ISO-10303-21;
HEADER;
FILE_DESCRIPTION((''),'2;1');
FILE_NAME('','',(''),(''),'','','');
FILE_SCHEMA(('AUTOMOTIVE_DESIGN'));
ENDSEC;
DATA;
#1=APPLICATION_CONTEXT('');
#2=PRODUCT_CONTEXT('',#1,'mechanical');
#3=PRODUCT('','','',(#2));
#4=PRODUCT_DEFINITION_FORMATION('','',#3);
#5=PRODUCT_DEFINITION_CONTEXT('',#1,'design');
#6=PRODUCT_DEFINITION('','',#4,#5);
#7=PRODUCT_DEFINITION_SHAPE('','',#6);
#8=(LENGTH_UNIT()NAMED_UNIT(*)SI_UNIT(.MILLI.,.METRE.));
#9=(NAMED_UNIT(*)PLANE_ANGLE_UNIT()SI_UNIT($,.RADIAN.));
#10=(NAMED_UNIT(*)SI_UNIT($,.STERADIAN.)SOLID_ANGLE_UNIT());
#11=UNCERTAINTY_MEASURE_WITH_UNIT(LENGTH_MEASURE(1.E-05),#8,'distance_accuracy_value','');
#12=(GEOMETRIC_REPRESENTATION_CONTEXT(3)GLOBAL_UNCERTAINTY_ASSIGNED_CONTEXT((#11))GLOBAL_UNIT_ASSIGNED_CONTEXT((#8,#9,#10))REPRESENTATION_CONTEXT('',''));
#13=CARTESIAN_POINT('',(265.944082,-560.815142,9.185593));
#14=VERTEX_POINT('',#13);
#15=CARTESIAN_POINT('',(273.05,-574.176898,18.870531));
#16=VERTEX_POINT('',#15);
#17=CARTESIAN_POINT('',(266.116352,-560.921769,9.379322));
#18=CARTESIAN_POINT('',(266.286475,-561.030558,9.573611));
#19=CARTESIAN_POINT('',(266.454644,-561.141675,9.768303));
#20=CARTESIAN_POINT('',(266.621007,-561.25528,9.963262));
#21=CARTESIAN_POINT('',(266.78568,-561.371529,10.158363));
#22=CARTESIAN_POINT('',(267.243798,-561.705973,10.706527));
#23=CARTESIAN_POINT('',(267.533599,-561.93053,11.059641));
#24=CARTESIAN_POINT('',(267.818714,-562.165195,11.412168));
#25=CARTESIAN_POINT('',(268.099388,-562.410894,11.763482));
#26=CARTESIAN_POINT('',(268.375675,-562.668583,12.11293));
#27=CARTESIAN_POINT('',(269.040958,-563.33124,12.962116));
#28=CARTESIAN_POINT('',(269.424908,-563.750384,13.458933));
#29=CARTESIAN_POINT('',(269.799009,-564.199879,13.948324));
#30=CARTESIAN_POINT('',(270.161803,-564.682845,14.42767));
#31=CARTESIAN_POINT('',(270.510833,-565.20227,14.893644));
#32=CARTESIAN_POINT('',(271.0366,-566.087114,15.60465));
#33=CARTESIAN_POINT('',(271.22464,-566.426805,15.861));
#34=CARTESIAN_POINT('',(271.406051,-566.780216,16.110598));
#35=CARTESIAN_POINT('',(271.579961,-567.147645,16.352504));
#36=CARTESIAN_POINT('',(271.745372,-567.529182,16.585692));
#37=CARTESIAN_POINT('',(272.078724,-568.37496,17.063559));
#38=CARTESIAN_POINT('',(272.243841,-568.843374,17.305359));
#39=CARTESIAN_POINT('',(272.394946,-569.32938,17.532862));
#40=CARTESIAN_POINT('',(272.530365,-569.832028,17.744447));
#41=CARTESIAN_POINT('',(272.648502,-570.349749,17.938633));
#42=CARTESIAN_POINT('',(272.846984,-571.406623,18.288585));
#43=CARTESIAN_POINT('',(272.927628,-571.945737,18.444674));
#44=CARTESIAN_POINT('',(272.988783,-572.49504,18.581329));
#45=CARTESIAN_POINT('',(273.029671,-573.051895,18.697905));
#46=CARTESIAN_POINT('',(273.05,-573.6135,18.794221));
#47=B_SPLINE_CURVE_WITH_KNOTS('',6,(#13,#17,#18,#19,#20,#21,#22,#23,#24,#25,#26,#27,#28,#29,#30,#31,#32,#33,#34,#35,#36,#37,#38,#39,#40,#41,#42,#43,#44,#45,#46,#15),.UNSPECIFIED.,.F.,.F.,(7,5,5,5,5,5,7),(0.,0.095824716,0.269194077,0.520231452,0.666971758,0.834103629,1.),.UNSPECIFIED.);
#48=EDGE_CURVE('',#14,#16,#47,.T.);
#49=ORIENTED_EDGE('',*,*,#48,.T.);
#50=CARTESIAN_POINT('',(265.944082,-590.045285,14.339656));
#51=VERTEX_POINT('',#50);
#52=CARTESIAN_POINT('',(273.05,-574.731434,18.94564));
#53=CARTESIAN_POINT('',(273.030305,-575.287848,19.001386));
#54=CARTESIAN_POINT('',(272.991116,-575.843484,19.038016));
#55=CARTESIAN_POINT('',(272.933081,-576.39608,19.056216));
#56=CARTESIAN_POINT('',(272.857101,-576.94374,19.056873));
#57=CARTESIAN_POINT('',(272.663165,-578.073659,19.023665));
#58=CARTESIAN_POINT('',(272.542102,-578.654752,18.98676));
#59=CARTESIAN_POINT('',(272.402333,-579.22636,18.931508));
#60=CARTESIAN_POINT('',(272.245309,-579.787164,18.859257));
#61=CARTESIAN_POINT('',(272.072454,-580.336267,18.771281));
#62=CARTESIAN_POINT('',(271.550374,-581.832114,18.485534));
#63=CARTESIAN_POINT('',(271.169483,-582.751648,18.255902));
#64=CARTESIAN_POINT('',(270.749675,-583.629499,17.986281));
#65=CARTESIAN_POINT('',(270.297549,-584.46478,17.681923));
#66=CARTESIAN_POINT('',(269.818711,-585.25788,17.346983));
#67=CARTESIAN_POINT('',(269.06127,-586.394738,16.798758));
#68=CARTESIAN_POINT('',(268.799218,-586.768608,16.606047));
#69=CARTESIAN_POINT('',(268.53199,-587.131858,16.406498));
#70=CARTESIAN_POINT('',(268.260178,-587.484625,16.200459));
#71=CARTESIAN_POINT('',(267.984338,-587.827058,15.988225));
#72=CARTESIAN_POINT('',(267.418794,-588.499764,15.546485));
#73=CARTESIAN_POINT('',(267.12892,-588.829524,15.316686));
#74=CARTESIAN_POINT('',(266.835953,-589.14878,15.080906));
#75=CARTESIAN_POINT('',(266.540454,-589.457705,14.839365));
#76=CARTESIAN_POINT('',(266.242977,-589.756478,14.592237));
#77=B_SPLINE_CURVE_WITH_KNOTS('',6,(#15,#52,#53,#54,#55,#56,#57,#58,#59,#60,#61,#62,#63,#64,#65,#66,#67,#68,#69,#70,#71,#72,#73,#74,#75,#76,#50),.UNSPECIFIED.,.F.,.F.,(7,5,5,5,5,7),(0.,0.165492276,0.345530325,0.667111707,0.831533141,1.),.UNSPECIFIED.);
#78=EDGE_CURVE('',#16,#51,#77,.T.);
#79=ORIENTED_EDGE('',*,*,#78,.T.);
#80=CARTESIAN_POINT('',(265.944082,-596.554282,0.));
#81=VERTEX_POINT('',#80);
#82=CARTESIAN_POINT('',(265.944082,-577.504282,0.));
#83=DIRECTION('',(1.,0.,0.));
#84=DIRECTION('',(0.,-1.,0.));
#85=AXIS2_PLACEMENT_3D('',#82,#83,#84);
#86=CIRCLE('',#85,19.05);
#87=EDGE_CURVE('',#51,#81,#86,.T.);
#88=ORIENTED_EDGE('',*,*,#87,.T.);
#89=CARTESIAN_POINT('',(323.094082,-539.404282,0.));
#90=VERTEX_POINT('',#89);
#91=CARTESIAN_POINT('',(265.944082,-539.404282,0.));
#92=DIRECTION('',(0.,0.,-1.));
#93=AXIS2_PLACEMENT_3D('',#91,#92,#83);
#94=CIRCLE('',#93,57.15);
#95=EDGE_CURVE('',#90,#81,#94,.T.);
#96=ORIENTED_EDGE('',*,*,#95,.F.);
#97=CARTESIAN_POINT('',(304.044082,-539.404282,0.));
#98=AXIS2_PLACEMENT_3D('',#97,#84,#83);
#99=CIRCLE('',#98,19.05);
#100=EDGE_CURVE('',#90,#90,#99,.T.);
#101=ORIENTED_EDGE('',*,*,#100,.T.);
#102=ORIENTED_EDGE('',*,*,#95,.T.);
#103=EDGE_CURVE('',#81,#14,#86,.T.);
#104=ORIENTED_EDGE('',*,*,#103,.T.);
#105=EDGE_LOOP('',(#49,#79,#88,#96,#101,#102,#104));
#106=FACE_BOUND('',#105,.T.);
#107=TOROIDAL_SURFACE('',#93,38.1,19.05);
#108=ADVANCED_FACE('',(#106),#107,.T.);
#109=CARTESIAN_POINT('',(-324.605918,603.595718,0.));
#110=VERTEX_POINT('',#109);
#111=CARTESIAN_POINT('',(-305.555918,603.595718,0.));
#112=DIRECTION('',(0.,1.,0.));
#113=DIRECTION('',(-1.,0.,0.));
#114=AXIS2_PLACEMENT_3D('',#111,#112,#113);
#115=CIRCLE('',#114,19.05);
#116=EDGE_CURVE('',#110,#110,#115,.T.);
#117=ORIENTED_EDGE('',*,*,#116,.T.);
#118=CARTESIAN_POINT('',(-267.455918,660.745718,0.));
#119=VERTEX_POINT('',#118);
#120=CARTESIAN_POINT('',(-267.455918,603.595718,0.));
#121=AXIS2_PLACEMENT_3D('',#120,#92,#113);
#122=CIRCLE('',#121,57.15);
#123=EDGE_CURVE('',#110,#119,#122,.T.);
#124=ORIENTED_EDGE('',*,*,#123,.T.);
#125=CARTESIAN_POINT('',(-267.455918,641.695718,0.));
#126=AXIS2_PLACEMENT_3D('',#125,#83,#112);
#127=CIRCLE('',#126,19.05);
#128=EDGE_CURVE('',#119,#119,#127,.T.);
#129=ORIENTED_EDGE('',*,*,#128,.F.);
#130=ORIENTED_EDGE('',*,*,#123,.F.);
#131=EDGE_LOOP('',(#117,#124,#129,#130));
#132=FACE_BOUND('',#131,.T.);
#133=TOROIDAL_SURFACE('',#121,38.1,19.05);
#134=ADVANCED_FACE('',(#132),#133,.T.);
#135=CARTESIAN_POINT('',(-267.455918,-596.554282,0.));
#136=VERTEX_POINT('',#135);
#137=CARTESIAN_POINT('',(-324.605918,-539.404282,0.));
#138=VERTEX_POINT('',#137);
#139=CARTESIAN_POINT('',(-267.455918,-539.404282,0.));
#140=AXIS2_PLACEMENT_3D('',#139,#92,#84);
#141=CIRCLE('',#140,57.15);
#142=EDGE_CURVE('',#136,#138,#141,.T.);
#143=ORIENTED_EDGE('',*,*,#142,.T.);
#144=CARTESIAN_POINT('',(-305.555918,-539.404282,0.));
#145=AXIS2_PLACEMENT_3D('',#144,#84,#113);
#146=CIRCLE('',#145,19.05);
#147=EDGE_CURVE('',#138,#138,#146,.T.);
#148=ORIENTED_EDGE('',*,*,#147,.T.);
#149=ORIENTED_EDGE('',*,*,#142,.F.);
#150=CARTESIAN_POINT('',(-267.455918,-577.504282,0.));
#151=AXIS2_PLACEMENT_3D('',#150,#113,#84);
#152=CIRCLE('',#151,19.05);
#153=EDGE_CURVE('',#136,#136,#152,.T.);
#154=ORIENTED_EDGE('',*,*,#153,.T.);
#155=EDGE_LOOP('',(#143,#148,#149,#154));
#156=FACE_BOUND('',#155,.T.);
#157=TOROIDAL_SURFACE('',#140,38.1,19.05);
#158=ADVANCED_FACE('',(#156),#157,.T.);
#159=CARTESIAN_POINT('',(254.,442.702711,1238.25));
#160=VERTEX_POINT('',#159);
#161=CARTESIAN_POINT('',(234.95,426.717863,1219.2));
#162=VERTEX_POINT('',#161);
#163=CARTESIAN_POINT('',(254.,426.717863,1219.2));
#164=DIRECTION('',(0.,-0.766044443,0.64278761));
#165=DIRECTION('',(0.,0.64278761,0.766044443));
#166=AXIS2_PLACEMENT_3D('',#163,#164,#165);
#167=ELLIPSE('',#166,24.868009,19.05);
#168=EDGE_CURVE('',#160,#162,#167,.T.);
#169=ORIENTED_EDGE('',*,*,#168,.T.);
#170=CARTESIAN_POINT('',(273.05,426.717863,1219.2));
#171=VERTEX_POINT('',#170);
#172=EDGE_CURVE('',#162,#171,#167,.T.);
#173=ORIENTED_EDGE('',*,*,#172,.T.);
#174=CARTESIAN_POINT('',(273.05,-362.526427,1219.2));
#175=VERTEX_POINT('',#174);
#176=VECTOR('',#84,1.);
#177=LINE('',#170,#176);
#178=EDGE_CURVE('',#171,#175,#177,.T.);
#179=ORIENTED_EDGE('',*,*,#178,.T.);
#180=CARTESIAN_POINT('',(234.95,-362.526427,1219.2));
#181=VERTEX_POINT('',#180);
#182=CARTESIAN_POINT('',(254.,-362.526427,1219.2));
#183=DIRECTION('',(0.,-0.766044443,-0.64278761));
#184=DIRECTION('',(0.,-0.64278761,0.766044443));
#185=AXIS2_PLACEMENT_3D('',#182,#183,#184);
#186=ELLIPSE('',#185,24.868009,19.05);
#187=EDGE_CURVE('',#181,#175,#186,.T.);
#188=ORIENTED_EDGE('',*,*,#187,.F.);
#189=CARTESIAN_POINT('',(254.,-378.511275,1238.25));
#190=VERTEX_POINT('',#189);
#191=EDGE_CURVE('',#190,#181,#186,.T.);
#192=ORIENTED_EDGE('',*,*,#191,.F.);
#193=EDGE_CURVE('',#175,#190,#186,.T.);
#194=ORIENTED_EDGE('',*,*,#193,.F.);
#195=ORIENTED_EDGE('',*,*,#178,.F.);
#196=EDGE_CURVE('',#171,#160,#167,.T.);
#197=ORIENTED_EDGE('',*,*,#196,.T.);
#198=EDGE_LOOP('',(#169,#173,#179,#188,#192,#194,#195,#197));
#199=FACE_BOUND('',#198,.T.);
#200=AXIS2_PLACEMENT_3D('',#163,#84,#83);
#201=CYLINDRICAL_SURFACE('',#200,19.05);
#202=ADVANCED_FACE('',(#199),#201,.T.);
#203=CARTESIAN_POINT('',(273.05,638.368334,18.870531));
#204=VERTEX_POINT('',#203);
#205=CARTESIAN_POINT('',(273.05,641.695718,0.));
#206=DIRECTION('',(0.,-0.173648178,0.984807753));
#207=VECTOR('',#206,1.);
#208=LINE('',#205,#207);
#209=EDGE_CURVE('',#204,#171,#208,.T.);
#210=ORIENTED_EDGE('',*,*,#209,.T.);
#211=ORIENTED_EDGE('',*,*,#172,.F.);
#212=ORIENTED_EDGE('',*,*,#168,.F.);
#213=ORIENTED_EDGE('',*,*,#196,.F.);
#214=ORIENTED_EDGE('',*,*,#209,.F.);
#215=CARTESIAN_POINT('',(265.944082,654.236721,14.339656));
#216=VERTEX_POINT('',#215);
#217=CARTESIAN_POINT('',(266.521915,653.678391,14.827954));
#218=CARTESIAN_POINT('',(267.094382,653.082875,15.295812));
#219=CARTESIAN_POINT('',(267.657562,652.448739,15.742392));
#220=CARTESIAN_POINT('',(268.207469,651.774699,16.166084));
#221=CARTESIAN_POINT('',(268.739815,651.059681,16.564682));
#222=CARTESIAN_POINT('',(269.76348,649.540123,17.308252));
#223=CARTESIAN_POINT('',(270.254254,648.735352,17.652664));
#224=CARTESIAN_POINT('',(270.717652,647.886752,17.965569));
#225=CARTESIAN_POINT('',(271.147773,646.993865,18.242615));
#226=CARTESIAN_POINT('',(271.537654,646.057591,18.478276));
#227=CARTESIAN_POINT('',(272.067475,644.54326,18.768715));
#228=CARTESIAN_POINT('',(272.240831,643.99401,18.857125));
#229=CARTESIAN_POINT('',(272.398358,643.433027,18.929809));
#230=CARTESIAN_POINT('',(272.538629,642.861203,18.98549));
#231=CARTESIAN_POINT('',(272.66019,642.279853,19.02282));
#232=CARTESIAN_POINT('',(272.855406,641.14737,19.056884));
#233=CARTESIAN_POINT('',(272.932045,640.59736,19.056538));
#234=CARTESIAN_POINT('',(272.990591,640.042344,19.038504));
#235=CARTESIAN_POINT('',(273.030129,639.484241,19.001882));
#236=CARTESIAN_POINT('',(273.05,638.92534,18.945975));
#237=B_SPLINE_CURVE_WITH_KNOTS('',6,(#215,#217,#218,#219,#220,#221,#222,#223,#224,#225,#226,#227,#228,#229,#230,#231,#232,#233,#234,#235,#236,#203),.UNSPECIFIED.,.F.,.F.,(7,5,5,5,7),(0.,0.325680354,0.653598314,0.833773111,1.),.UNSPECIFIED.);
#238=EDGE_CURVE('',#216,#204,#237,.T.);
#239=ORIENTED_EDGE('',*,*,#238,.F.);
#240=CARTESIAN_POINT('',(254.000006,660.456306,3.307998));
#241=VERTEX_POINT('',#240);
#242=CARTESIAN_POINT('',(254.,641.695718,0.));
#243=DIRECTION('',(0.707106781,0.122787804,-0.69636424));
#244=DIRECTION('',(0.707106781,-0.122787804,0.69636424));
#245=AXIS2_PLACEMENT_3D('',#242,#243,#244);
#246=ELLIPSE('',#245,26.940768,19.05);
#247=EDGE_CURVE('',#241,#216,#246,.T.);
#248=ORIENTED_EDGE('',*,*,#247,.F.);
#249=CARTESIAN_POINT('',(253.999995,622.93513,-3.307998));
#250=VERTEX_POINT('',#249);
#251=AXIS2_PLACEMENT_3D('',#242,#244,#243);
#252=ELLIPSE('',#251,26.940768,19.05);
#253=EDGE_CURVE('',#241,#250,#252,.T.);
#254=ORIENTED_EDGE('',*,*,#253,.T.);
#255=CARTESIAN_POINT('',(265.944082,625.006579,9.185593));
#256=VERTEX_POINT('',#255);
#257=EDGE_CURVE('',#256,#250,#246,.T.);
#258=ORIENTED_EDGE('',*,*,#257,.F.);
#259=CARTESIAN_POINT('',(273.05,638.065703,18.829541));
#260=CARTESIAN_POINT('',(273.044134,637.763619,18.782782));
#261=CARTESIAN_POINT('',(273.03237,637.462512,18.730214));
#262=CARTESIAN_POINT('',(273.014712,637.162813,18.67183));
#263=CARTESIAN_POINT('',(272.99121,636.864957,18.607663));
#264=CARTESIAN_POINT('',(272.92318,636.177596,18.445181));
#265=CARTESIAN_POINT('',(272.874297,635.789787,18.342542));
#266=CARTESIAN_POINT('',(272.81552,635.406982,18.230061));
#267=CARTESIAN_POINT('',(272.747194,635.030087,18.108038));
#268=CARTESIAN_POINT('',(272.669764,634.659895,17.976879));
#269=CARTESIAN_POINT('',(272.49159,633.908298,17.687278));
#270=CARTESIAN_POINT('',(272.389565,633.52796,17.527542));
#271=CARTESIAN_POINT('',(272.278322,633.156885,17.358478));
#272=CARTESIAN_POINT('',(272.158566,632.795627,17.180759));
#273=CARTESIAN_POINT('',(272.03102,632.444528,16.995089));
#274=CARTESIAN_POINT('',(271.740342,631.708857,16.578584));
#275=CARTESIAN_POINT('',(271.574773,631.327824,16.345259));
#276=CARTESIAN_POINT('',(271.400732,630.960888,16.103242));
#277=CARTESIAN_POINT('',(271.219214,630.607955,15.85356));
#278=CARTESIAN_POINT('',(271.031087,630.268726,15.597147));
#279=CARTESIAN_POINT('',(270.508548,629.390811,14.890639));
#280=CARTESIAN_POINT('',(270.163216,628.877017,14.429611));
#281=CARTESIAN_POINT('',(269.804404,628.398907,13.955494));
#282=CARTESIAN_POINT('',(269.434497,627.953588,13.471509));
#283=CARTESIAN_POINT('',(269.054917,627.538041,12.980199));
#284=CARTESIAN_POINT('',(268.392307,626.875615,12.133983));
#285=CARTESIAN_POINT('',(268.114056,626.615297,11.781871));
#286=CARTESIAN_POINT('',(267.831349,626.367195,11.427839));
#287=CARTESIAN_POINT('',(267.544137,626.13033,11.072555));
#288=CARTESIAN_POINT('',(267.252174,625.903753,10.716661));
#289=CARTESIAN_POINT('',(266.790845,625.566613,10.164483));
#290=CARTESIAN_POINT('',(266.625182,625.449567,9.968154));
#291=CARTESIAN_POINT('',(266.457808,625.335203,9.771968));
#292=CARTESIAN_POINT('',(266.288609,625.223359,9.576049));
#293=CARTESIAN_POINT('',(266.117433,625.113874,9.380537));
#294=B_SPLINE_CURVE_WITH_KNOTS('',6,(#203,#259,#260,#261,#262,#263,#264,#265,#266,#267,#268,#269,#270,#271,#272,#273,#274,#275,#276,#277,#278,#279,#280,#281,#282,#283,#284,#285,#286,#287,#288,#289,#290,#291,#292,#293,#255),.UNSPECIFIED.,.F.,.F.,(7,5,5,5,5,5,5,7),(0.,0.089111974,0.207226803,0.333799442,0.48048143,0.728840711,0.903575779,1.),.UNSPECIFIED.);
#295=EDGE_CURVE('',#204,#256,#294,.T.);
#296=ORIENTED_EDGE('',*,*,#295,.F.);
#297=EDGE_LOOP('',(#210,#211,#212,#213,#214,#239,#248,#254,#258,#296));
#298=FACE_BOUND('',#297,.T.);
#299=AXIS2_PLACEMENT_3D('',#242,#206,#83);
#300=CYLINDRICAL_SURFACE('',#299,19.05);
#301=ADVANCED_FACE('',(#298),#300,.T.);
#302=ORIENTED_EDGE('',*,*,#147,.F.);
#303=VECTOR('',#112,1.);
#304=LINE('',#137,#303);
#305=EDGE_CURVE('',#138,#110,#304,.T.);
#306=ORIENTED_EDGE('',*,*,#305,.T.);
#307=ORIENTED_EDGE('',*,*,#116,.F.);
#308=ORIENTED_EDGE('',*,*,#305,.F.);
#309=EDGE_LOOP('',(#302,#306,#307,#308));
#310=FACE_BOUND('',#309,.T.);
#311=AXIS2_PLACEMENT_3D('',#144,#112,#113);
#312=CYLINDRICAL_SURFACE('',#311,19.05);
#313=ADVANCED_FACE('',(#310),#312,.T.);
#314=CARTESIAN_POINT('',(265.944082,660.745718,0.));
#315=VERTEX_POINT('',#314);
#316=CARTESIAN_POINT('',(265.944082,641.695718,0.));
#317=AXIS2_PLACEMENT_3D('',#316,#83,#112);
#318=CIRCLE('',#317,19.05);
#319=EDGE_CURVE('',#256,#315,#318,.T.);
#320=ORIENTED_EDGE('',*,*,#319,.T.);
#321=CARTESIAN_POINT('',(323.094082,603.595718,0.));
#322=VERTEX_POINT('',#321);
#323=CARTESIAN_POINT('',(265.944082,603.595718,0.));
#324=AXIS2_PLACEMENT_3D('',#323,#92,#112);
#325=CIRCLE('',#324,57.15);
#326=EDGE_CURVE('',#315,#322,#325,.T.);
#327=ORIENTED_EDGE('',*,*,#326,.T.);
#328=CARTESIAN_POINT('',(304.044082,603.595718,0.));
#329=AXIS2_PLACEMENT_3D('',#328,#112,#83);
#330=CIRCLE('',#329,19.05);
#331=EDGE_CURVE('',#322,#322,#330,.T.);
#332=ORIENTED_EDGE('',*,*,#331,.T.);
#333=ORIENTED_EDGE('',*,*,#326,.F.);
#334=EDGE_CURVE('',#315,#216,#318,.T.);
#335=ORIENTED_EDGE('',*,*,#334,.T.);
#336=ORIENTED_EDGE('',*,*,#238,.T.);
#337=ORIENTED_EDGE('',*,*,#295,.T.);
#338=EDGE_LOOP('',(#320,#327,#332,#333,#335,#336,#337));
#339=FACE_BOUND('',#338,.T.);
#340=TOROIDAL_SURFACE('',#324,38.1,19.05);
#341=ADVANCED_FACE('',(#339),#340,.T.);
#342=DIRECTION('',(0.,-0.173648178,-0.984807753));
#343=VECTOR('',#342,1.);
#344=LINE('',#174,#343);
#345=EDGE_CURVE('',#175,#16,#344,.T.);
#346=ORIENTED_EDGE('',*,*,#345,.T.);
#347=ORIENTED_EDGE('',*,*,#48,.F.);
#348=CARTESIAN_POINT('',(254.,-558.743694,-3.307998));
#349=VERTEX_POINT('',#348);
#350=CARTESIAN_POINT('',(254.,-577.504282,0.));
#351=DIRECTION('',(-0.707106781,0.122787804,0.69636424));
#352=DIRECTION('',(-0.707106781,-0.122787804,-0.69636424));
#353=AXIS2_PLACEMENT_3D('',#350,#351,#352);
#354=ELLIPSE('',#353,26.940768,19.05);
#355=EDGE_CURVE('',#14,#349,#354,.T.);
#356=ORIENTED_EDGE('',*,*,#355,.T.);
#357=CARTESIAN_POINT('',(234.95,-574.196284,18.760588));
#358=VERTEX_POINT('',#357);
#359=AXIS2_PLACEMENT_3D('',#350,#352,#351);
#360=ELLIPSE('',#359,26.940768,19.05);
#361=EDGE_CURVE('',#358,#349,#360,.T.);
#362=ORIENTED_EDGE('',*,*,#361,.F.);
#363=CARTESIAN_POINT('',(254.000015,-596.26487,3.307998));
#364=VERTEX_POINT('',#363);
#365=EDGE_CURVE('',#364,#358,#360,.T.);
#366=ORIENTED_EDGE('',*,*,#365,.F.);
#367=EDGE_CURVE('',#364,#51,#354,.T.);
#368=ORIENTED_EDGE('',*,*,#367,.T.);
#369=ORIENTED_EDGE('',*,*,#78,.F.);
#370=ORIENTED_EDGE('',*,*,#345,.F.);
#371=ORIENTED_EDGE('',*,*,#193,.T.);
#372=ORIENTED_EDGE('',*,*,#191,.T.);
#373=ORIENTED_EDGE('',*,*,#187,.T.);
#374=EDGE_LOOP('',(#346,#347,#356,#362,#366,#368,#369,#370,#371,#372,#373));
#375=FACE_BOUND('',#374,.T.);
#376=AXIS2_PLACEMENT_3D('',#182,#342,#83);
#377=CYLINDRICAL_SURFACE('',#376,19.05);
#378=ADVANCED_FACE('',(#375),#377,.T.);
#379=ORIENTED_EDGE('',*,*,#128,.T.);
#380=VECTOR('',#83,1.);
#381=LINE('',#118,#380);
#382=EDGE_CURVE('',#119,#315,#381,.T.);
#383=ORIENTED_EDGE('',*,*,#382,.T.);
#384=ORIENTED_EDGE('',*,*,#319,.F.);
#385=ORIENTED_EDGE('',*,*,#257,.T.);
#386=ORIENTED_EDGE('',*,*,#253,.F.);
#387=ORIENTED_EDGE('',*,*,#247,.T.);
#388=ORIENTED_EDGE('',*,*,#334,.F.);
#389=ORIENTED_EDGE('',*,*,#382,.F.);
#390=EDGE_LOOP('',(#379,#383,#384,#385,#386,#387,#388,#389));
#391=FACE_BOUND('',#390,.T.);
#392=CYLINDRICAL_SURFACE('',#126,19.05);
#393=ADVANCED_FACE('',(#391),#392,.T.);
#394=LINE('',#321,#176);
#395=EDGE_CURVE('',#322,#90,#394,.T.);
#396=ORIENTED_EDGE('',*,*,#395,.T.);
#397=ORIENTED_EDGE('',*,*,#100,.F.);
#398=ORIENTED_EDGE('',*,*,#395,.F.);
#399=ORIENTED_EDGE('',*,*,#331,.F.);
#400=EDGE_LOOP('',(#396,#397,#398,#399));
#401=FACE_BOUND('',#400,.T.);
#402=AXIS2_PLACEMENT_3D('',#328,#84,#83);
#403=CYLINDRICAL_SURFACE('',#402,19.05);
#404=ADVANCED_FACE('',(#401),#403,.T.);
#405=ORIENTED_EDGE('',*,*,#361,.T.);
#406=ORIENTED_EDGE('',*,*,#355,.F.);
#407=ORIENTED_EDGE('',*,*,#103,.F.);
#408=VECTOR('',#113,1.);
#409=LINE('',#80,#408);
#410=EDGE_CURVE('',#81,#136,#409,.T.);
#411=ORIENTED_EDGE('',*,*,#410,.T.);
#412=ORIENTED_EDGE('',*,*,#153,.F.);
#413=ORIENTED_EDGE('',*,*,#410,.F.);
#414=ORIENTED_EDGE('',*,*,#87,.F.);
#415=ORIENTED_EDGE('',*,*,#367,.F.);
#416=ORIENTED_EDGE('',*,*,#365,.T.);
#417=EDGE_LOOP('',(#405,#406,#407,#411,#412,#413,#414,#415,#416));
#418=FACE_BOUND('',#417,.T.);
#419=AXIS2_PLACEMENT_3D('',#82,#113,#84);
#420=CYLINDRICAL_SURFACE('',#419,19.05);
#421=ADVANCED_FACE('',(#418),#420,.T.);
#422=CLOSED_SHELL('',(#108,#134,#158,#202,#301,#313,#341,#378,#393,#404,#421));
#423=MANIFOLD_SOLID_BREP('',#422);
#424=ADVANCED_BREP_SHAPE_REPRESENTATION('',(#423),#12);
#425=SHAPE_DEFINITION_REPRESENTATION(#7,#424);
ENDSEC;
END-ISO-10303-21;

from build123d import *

# Parameters (mm, degrees)
F1_R = 19.05
F5_R = 19.05


with BuildPart() as f2:
    # F2: sweep along a path in F0
    with BuildLine(Plane.XY) as f2_path:
        Line((-267.4559177475, 641.6957181156), (265.9440822525, 641.6957181156))
        ThreePointArc((265.9440822525, 641.6957181156), (292.8848506157, 630.5364864788), (304.0440822525, 603.5957181156))
        Line((304.0440822525, 603.5957181156), (304.0440822525, -539.4042818844))
        ThreePointArc((304.0440822525, -539.4042818844), (292.8848506157, -566.3450502476), (265.9440822525, -577.5042818844))
        Line((265.9440822525, -577.5042818844), (-267.4559177475, -577.5042818844))
        ThreePointArc((-267.4559177475, -577.5042818844), (-294.3966861107, -566.3450502476), (-305.5559177475, -539.4042818844))
        Line((-305.5559177475, -539.4042818844), (-305.5559177475, 603.5957181156))
        ThreePointArc((-305.5559177475, 603.5957181156), (-294.3966861107, 630.5364864788), (-267.4559177475, 641.6957181156))
    # F1 (on Right) → F2 (sweep)
    with BuildSketch(Plane.YZ):
        with Locations((641.6957181156, 0)):
            Circle(F1_R)
    sweep(path=f2_path.line)

    # F6: sweep along a path in F4
    with BuildLine(Plane.YZ.offset(254)) as f6_path:
        Line((641.6957181156, 0), (426.7178632358, 1219.2))
        Line((426.7178632358, 1219.2), (-362.5264270047, 1219.2))
        Line((-362.5264270047, 1219.2), (-577.5042818844, 0))
    # F5 (on Front) → F6 (sweep)
    with BuildSketch(Plane.XZ):
        with Locations((254, 1219.2)):
            Circle(F5_R)
    sweep(path=f6_path.line, transition=Transition.RIGHT)


solid = f2.part
